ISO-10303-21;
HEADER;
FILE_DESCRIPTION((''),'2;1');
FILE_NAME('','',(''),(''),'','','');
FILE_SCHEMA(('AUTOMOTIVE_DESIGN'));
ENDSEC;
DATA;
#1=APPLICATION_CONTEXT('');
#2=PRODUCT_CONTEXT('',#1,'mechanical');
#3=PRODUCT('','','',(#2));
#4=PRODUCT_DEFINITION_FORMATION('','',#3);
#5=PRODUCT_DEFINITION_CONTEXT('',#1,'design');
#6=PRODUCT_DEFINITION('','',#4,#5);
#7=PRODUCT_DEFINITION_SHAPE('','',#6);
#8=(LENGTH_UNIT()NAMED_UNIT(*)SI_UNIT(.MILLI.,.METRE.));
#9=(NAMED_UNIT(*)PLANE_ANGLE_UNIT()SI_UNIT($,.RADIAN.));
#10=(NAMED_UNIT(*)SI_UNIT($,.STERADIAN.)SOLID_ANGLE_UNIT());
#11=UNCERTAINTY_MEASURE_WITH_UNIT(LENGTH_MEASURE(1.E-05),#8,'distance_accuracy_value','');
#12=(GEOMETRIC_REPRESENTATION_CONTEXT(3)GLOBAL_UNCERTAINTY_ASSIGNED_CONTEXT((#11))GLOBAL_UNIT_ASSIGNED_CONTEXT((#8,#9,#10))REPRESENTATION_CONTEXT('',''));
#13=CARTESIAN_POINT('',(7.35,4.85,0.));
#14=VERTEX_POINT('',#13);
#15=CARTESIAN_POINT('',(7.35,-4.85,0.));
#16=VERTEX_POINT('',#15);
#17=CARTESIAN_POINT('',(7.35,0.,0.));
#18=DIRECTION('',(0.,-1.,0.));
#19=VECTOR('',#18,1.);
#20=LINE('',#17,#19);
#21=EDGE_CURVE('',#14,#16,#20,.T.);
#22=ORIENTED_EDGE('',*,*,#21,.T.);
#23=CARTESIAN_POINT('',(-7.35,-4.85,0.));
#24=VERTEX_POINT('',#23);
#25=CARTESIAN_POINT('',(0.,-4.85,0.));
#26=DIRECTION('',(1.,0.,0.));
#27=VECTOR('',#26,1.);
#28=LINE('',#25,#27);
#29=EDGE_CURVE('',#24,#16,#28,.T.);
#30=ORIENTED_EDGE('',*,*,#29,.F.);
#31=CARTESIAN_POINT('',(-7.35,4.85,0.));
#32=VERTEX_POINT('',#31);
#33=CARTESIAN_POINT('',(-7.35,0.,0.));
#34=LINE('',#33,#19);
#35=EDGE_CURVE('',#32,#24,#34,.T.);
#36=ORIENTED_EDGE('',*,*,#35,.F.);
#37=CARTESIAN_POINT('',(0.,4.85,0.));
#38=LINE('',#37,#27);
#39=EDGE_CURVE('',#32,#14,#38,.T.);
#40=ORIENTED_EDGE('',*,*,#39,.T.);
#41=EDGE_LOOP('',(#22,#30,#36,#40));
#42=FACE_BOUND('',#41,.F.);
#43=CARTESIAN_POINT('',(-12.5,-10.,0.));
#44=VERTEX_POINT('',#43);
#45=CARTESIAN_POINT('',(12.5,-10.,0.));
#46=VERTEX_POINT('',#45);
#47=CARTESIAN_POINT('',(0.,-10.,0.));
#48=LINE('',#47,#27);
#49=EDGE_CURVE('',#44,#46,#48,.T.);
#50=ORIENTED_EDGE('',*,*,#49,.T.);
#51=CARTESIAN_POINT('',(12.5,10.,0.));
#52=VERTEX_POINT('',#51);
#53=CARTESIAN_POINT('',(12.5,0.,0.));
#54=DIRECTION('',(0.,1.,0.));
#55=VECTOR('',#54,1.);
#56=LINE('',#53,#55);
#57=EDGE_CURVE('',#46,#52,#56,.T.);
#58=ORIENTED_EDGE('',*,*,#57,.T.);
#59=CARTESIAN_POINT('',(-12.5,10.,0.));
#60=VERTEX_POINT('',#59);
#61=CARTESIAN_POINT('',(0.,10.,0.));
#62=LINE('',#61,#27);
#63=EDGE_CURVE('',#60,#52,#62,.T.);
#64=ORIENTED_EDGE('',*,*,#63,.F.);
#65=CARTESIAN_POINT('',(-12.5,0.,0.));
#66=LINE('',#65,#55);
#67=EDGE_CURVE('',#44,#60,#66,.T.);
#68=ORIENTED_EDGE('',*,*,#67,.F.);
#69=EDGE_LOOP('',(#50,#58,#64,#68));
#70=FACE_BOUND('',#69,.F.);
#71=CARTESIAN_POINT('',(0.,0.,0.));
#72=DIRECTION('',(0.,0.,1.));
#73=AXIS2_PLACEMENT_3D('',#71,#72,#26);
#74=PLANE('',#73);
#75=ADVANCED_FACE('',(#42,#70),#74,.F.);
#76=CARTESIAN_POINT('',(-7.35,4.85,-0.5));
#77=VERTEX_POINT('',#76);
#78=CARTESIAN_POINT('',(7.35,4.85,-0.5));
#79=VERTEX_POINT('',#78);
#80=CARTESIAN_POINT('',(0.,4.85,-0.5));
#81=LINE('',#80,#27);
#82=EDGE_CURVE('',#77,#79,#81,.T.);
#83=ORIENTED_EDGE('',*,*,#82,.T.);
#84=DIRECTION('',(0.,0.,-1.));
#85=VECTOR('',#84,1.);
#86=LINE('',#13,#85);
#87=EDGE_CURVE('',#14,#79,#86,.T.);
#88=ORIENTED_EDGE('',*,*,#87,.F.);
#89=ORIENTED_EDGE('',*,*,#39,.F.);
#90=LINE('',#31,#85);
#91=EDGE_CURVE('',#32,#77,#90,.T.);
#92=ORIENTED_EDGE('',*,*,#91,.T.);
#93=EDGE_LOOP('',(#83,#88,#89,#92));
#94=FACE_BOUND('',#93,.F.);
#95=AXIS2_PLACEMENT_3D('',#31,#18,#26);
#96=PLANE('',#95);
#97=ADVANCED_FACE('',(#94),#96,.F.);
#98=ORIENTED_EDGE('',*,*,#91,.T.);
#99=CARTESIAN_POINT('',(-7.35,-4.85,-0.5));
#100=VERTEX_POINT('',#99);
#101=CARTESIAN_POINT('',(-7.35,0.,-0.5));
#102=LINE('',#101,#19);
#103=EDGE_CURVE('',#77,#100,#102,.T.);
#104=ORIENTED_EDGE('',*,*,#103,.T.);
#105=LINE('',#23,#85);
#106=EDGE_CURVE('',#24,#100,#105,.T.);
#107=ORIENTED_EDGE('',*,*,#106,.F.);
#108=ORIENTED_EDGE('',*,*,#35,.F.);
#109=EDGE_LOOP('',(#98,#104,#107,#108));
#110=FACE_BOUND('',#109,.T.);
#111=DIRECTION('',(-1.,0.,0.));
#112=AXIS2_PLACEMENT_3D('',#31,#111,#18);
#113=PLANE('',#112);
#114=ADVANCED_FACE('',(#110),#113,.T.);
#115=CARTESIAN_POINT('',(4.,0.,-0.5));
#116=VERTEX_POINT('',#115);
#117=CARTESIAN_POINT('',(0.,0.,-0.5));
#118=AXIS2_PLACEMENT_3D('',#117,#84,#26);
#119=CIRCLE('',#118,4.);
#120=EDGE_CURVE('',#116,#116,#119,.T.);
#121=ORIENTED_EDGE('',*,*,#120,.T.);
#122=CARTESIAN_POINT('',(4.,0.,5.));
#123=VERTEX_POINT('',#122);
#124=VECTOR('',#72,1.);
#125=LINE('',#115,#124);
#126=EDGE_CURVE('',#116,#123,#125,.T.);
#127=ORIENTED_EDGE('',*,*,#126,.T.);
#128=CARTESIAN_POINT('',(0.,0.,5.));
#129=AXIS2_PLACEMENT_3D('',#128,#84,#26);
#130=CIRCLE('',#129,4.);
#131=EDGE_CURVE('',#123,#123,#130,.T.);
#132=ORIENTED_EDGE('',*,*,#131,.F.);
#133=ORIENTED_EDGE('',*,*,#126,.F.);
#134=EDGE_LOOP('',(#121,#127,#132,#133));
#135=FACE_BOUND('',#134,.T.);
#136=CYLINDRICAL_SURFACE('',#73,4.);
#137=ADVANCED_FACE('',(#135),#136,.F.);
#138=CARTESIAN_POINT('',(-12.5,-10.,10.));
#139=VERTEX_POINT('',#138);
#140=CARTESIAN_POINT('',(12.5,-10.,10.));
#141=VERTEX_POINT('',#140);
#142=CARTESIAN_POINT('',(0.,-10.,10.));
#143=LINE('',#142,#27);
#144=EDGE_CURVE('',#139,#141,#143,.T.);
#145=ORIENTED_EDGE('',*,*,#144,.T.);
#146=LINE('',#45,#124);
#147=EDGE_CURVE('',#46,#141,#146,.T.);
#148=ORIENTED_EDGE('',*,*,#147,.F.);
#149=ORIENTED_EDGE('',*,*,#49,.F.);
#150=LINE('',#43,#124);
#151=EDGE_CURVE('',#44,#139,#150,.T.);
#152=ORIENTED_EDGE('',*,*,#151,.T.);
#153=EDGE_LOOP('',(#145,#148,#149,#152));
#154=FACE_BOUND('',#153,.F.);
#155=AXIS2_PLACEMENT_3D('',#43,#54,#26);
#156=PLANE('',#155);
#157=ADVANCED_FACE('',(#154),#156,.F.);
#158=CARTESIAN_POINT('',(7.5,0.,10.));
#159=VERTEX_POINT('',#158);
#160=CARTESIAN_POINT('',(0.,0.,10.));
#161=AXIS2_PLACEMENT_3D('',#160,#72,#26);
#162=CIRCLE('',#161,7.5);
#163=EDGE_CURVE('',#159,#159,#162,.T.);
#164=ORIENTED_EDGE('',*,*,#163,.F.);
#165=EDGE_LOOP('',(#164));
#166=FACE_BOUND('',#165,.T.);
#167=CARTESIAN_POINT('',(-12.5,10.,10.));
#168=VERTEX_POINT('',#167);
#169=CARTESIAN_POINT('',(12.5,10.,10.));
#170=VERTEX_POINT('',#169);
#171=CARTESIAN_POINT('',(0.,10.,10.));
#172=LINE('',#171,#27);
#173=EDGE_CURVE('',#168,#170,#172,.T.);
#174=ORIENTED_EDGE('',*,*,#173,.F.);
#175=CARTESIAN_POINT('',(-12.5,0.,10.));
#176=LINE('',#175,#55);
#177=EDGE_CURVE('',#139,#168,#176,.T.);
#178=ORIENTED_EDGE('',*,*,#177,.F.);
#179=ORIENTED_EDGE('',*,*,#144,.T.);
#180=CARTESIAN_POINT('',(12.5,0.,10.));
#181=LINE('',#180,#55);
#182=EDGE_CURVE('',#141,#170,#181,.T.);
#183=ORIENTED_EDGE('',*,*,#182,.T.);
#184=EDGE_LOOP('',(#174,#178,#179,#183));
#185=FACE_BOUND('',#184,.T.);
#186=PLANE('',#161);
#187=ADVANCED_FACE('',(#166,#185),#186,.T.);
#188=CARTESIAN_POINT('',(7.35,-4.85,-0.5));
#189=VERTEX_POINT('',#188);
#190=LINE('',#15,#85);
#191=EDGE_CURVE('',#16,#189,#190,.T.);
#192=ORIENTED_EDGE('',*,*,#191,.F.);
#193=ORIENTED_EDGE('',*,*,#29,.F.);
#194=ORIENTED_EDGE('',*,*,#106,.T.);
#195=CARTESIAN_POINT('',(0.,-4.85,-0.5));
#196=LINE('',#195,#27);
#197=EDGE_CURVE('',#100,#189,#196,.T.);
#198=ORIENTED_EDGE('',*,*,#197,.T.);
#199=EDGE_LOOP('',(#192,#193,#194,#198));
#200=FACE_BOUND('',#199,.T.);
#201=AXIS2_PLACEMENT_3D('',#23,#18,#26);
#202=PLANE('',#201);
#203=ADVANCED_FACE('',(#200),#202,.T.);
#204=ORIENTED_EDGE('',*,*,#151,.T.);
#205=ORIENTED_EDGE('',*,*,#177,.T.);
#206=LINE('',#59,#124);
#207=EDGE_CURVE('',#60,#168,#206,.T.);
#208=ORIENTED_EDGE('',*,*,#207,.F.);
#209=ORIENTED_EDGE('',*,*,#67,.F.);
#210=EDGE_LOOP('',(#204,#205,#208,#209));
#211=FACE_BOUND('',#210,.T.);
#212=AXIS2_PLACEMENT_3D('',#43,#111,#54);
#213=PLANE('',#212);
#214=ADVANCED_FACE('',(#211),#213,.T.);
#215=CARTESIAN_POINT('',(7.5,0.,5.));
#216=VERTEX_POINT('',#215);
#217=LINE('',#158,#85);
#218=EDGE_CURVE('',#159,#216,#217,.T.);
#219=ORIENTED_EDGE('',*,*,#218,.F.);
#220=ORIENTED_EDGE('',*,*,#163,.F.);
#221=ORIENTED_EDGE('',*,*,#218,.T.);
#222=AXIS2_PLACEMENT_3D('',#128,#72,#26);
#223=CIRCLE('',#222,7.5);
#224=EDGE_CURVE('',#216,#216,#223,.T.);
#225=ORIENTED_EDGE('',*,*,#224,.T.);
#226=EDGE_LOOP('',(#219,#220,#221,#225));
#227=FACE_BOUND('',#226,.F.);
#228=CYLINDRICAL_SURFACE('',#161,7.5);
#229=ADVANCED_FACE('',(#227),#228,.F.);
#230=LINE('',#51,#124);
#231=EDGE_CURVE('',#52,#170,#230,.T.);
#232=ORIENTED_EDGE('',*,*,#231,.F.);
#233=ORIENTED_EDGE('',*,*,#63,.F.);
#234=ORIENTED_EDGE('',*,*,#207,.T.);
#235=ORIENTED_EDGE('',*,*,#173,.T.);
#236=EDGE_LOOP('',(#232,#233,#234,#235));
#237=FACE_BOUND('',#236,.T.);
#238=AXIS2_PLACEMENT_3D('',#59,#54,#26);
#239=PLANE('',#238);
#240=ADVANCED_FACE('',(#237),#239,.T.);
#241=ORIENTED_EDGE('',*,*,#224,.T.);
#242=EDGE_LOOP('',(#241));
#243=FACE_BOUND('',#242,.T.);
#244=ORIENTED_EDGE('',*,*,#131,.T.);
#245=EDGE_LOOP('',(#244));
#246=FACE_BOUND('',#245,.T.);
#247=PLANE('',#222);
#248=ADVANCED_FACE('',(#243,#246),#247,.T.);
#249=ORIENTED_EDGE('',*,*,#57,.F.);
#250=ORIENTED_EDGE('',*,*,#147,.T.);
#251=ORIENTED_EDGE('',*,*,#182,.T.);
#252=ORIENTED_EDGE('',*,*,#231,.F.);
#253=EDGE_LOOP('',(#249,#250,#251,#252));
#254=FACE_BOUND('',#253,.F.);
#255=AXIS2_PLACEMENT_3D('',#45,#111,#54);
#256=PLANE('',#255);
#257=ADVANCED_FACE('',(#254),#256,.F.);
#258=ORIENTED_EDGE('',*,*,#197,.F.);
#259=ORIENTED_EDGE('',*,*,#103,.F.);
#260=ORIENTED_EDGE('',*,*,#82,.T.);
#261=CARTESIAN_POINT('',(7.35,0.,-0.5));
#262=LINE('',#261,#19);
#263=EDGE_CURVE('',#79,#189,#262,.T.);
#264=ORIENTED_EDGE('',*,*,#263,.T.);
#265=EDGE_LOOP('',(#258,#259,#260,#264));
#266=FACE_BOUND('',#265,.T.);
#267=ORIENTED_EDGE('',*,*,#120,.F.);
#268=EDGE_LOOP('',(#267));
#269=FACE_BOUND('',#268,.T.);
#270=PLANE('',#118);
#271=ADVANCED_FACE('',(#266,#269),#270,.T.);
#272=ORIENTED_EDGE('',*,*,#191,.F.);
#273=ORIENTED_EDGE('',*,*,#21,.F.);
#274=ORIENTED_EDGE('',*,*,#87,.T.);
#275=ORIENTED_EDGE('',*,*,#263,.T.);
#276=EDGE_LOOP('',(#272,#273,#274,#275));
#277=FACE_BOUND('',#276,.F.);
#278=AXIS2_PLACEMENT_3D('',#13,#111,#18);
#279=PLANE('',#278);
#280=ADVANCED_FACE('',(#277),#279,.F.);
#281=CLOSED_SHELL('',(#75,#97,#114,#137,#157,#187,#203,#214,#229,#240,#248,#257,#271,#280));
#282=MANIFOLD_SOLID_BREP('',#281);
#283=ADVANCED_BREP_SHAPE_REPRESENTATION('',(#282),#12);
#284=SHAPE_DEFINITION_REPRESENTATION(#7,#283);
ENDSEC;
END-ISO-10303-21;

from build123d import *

# Parameters (mm, degrees)
F0_W     = 25
F0_H     = 20
F0_R     = 4
F1_DEPTH = 10
F2_R     = 7.5
F3_DEPTH = 5
F4_W     = 14.7
F4_H     = 9.7
F4_R     = 4
F5_DEPTH = 0.5


with BuildPart() as f1:
    # F0 (on Top) → F1 (new body)
    with BuildSketch(Plane.XY):
        Rectangle(F0_W, F0_H)
        Circle(F0_R, mode=Mode.SUBTRACT)
    extrude(amount=F1_DEPTH)

    # F2 (on face) → F3 (cut)
    with BuildSketch(Plane.XY.offset(10)):
        Circle(F2_R)
    extrude(amount=-F3_DEPTH, mode=Mode.SUBTRACT)

    # F4 (on face) → F5 (join)
    with BuildSketch(Plane(origin=(0, 0, 0), x_dir=(1, 0, 0), z_dir=(0, 0, -1))):
        Rectangle(F4_W, F4_H)
        Circle(F4_R, mode=Mode.SUBTRACT)
    extrude(amount=F5_DEPTH)


solid = f1.part
